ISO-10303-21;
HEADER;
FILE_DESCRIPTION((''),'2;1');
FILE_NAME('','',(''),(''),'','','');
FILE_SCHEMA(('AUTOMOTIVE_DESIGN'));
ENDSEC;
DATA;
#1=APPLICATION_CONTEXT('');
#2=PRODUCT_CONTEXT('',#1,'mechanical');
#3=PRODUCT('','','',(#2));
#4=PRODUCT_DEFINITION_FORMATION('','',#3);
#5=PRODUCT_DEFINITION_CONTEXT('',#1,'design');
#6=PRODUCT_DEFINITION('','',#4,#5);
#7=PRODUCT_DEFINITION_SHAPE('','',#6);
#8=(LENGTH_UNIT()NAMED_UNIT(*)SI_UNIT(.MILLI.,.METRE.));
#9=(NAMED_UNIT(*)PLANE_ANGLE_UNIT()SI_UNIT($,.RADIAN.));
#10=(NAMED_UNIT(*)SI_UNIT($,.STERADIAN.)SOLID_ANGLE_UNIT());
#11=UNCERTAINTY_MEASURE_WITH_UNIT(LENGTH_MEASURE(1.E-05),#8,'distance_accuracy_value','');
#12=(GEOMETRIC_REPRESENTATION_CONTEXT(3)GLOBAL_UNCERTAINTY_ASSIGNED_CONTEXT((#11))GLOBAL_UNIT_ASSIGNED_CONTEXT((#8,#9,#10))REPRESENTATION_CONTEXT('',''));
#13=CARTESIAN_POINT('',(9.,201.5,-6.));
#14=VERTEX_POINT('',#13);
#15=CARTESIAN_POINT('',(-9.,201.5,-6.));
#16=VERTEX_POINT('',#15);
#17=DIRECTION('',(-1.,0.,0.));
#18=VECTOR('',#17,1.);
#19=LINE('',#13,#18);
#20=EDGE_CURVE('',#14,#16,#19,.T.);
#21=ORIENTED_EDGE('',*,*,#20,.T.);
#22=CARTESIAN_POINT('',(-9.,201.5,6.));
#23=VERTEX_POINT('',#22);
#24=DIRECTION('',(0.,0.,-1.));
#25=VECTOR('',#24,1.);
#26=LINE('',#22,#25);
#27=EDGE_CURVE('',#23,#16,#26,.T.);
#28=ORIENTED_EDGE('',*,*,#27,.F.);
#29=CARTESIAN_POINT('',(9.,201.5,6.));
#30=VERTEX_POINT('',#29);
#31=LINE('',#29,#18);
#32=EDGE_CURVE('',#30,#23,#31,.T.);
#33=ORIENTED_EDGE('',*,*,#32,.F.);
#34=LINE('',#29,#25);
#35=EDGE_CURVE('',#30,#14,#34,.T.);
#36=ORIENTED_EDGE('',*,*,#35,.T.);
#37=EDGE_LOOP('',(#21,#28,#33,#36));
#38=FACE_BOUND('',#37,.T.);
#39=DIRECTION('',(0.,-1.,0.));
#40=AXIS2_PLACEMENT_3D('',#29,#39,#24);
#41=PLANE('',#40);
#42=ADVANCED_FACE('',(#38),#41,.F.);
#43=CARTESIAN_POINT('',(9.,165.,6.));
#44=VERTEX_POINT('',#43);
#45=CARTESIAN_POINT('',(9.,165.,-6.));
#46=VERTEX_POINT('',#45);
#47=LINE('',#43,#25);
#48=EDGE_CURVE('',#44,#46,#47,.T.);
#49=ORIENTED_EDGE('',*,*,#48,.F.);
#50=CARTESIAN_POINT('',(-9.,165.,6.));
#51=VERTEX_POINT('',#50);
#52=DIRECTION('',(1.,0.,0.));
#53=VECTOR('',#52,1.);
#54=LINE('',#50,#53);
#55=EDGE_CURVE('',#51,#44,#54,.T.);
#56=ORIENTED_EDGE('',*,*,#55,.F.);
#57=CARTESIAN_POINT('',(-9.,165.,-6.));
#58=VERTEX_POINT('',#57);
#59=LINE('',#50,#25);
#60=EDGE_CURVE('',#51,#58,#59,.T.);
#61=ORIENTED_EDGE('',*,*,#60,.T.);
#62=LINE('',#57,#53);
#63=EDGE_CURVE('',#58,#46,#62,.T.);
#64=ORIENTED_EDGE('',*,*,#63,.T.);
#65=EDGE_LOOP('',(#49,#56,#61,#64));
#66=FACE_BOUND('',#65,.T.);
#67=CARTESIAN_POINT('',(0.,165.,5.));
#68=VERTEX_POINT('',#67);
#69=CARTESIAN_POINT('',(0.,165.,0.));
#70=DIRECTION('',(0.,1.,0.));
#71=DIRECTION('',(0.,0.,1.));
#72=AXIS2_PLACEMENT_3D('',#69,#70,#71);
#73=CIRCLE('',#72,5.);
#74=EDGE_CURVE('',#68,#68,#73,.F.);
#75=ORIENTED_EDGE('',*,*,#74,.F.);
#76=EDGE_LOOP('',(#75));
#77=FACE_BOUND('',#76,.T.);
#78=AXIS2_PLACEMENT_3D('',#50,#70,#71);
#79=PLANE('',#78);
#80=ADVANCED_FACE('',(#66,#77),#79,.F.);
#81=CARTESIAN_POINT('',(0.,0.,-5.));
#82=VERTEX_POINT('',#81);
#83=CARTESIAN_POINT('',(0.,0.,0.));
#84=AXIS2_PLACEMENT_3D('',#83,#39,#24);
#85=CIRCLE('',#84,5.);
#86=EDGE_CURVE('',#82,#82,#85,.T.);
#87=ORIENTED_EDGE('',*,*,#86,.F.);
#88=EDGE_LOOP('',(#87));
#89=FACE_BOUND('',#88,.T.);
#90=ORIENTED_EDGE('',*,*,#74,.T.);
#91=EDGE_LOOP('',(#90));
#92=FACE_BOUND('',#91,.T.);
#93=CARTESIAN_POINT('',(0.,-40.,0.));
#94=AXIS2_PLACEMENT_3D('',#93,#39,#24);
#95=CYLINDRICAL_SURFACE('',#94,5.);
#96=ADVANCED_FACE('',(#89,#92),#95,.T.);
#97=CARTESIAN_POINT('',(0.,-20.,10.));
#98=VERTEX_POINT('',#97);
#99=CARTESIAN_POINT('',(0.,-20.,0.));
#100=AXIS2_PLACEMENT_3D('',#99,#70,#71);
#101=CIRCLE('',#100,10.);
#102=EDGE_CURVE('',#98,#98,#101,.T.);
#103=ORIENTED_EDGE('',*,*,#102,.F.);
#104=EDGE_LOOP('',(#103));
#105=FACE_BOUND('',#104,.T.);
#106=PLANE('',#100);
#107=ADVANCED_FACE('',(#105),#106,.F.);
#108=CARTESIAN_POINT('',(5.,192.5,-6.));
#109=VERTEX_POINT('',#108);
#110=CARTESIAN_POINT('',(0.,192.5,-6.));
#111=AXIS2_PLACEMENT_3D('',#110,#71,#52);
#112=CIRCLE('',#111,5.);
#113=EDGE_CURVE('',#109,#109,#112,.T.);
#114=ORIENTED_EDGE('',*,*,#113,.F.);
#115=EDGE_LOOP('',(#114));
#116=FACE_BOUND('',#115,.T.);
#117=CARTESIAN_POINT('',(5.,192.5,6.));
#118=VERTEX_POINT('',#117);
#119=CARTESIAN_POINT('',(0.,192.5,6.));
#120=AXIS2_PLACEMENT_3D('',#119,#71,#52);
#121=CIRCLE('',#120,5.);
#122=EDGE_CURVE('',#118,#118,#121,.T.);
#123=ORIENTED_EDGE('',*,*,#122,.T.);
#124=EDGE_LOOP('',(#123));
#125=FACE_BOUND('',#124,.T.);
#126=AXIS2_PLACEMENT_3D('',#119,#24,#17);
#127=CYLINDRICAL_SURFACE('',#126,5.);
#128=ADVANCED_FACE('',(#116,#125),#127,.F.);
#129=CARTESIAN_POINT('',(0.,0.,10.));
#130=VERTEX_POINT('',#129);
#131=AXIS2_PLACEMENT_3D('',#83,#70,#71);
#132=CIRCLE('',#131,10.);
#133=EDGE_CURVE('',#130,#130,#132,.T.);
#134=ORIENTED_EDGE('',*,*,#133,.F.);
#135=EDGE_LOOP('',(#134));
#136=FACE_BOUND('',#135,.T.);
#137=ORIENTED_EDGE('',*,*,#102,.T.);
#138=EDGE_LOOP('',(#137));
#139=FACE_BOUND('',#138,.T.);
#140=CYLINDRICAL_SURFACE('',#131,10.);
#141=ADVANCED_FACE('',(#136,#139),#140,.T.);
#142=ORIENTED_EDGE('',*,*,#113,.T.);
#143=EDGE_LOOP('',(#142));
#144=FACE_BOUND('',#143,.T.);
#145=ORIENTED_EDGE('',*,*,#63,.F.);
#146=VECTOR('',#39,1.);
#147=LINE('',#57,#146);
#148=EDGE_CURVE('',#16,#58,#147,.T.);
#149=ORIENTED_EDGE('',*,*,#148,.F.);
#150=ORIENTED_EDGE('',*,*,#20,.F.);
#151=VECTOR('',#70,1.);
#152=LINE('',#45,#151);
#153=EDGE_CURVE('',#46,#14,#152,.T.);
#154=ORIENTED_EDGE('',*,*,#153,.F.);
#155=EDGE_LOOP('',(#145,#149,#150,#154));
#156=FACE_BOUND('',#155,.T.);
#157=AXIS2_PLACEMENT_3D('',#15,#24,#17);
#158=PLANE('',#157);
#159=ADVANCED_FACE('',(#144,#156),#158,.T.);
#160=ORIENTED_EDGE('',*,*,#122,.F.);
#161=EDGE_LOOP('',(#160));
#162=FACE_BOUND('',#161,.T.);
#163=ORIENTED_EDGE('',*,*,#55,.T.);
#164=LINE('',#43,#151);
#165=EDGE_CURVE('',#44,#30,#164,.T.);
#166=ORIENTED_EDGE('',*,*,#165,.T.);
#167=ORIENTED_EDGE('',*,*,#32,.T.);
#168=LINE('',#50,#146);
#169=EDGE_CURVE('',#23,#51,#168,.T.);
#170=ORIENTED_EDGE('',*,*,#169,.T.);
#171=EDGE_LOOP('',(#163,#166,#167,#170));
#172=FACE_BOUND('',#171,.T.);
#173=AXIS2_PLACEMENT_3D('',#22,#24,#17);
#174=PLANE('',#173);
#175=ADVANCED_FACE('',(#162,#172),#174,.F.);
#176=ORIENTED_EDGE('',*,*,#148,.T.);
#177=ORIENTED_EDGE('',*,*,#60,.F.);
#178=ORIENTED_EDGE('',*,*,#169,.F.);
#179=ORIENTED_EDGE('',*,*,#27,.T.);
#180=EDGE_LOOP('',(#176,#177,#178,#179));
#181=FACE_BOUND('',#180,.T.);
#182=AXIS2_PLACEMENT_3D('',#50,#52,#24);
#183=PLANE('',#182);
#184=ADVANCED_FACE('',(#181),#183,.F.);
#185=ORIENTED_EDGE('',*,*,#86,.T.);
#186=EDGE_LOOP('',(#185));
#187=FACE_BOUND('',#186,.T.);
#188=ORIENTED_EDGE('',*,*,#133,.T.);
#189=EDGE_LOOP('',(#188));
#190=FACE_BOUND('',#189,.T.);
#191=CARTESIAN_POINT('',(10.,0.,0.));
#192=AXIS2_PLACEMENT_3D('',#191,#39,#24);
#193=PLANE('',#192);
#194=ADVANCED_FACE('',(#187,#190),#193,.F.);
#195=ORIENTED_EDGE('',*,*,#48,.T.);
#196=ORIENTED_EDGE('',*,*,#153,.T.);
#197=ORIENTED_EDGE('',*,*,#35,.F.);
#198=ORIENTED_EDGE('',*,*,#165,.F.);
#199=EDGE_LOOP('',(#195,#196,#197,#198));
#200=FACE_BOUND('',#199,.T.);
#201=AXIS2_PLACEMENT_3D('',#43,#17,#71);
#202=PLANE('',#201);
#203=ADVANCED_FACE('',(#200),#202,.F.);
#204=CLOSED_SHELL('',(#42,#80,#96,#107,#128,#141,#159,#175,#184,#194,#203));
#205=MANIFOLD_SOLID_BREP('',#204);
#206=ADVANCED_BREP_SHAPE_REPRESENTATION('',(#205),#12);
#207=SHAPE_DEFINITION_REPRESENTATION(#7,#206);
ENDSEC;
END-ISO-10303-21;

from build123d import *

# Parameters (mm, degrees)
ESQUISSE1_W        = 5
ESQUISSE1_H        = 165
ESQUISSE2_W        = 10
ESQUISSE2_H        = 20
ESQUISSE3_W        = 18
ESQUISSE3_H        = 36.5
ESQUISSE3_R        = 5
BOSS_EXTRU_1_DEPTH = 6


with BuildPart() as part:
    # Esquisse1 → Base-Révolution (revolve)
    with BuildSketch(Plane.XY, mode=Mode.PRIVATE) as base_r_volution_sk:
        with Locations((2.5, 82.5)):
            Rectangle(ESQUISSE1_W, ESQUISSE1_H)
    revolve(base_r_volution_sk.sketch.rotate(Axis((0, -40, 0), (0, 1, 0)), 90), axis=Axis((0, -40, 0), (0, 1, 0)))

    # Esquisse2 → Boss.-Révol.1 (revolve)
    with BuildSketch(Plane.XY, mode=Mode.PRIVATE) as boss_r_vol_1_sk:
        with Locations((5, -10)):
            Rectangle(ESQUISSE2_W, ESQUISSE2_H)
    revolve(boss_r_vol_1_sk.sketch.rotate(Axis((0, 0, 0), (0, -1, 0)), 90), axis=Axis((0, 0, 0), (0, -1, 0)))

    # Esquisse3 → Boss.-Extru.1 (add, symmetric)
    with BuildSketch(Plane.XY):
        with Locations((0, 183.25)):
            Rectangle(ESQUISSE3_W, ESQUISSE3_H)
        with Locations((0, 192.5)):
            Circle(ESQUISSE3_R, mode=Mode.SUBTRACT)
    extrude(amount=BOSS_EXTRU_1_DEPTH, both=True)


solid = part.part
